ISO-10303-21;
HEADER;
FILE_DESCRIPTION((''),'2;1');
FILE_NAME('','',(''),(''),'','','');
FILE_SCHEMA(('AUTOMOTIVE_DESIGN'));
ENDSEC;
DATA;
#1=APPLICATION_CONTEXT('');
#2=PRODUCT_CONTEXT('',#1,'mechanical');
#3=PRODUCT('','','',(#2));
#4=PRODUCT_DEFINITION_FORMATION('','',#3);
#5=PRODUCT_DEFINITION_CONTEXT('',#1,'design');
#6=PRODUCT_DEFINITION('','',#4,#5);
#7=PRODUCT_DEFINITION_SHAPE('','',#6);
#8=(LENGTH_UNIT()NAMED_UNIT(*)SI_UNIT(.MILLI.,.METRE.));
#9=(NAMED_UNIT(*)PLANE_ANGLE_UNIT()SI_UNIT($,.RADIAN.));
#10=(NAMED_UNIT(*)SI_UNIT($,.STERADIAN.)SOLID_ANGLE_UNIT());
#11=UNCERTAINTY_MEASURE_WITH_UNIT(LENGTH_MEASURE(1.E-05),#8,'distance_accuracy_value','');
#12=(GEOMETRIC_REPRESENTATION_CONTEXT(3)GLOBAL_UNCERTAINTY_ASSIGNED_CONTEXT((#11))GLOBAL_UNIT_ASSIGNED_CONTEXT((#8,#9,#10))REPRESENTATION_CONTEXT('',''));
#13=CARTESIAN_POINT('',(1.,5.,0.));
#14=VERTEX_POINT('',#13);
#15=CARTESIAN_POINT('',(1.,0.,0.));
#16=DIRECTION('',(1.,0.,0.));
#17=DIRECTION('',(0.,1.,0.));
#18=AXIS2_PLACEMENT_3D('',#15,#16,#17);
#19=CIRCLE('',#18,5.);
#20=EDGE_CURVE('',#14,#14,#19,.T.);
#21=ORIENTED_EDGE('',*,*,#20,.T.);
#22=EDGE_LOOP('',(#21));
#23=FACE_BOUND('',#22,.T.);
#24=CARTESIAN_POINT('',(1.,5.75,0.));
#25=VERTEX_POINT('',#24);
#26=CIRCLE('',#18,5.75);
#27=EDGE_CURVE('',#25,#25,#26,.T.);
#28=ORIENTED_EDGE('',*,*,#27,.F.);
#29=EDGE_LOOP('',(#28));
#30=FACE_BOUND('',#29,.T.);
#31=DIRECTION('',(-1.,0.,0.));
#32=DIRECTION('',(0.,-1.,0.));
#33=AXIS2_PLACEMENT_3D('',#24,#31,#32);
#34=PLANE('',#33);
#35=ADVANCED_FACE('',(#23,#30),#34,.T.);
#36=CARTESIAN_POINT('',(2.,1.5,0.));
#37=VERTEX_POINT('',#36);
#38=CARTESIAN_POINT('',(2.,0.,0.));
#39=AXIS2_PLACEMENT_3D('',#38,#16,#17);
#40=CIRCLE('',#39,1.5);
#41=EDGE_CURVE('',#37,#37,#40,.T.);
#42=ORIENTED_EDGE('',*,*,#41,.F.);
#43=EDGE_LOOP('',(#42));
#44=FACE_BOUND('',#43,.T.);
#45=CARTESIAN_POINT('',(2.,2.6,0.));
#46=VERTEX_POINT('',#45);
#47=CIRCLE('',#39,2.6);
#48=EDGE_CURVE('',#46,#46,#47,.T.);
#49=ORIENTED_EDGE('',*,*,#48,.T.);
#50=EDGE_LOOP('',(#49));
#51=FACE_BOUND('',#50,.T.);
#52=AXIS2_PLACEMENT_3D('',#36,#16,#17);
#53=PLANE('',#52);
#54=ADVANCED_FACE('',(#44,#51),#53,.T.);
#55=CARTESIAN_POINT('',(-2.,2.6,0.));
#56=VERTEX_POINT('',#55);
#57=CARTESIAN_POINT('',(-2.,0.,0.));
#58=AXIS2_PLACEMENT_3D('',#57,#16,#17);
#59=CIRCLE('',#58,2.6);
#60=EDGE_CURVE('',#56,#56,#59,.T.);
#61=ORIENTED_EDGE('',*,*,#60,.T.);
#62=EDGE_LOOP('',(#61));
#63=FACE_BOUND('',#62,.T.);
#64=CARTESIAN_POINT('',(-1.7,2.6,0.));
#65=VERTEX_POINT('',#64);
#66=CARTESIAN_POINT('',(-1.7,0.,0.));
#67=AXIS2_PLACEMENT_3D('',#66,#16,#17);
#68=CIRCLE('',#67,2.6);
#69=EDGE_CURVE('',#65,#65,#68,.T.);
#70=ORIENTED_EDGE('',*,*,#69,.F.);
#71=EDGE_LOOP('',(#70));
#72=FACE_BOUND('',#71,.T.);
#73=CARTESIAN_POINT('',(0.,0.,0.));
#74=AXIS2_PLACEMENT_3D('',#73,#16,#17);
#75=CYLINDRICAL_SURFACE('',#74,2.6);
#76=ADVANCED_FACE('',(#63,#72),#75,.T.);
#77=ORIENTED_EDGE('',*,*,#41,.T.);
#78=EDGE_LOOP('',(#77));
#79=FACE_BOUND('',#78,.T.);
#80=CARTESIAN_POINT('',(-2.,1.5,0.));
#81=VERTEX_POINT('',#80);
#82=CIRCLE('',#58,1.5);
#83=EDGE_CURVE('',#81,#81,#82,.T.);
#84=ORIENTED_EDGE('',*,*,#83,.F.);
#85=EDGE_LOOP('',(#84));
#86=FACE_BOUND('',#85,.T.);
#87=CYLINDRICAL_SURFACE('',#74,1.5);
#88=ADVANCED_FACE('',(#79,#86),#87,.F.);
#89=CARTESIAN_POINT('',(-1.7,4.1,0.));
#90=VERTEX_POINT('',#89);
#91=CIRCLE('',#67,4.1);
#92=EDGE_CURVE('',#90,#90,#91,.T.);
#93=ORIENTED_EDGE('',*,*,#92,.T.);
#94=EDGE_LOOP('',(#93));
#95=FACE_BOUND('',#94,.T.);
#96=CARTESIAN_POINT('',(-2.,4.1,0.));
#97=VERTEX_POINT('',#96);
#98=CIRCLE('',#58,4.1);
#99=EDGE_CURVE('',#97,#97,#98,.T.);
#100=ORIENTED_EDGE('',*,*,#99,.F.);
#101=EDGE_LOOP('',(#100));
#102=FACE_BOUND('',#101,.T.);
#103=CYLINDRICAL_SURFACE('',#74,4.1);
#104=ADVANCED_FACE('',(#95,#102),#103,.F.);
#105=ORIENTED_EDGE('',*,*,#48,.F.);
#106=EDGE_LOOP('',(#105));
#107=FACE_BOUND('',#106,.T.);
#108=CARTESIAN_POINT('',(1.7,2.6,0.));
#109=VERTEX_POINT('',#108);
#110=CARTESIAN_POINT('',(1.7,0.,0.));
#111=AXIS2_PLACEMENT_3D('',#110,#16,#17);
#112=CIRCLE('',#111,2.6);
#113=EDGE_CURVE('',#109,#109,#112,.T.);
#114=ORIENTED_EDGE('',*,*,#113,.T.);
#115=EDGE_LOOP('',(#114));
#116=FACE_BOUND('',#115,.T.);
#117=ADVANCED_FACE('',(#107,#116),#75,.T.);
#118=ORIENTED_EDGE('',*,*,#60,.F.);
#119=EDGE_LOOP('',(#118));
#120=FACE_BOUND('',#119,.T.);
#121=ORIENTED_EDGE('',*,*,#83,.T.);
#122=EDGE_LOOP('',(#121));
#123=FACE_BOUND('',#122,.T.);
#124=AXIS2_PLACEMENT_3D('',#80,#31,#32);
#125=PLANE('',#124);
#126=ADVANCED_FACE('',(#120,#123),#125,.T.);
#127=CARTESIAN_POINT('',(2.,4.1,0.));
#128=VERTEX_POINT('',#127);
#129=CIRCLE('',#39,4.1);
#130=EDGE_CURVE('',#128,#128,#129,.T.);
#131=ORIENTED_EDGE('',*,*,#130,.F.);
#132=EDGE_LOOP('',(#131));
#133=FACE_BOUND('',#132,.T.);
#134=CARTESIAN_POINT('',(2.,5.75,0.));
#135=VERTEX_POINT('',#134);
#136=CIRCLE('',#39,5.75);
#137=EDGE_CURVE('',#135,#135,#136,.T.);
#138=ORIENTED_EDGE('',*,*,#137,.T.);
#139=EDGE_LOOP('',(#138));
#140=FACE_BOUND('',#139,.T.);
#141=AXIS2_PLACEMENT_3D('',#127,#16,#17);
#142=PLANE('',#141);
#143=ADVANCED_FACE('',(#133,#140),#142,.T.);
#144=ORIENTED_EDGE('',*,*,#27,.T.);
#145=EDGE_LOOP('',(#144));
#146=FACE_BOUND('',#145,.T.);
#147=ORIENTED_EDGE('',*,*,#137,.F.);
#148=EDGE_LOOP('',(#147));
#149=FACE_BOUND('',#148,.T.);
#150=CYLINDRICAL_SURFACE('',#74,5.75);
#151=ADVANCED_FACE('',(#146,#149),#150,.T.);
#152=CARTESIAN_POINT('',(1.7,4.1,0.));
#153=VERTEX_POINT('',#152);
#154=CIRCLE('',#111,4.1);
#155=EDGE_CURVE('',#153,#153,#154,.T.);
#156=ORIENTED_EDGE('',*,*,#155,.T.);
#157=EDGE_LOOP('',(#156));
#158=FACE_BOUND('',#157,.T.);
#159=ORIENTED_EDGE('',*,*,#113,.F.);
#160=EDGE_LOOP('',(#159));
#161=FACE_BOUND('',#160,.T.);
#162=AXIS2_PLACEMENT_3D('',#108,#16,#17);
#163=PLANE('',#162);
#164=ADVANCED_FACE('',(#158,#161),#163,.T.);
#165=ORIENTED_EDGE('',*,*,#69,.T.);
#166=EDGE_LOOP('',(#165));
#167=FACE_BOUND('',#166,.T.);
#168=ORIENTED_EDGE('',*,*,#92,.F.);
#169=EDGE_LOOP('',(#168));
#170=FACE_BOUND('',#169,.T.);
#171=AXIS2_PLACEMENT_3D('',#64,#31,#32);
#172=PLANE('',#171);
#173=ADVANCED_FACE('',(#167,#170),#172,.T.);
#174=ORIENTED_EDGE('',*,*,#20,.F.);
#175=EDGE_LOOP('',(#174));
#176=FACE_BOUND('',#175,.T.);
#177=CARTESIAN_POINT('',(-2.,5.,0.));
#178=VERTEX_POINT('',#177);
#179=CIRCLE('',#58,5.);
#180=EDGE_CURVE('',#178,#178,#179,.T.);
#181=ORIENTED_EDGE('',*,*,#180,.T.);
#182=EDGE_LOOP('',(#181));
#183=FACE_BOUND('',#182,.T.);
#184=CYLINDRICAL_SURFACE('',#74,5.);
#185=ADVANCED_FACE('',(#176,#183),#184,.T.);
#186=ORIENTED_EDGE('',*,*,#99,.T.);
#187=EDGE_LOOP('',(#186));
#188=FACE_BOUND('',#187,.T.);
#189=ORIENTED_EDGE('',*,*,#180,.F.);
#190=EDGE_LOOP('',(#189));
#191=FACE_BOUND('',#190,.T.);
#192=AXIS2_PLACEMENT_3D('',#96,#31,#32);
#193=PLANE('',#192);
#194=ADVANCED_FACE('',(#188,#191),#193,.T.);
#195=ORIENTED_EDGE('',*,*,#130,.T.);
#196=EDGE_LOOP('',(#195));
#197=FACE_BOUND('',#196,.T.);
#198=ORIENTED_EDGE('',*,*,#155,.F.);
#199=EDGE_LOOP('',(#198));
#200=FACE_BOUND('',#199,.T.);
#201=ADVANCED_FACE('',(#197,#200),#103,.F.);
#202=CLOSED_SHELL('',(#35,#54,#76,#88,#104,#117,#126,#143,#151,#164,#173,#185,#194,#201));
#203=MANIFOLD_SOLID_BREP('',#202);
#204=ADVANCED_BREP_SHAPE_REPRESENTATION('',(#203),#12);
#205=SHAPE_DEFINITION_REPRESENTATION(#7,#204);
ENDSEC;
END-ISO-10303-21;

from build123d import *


with BuildPart() as part:
    # Sketch1 → Revolve1 (revolve)
    with BuildSketch(Plane.XY):
        Polygon((2, 1.5), (-2, 1.5), (-2, 2.6), (-1.7, 2.6), (-1.7, 4.1), (-2, 4.1), (-2, 5), (1, 5), (1, 5.75), (2, 5.75), (2, 4.1), (1.7, 4.1), (1.7, 2.6), (2, 2.6), align=None)
    revolve(axis=Axis((0, 0, 0), (-1, 0, 0)))


solid = part.part
